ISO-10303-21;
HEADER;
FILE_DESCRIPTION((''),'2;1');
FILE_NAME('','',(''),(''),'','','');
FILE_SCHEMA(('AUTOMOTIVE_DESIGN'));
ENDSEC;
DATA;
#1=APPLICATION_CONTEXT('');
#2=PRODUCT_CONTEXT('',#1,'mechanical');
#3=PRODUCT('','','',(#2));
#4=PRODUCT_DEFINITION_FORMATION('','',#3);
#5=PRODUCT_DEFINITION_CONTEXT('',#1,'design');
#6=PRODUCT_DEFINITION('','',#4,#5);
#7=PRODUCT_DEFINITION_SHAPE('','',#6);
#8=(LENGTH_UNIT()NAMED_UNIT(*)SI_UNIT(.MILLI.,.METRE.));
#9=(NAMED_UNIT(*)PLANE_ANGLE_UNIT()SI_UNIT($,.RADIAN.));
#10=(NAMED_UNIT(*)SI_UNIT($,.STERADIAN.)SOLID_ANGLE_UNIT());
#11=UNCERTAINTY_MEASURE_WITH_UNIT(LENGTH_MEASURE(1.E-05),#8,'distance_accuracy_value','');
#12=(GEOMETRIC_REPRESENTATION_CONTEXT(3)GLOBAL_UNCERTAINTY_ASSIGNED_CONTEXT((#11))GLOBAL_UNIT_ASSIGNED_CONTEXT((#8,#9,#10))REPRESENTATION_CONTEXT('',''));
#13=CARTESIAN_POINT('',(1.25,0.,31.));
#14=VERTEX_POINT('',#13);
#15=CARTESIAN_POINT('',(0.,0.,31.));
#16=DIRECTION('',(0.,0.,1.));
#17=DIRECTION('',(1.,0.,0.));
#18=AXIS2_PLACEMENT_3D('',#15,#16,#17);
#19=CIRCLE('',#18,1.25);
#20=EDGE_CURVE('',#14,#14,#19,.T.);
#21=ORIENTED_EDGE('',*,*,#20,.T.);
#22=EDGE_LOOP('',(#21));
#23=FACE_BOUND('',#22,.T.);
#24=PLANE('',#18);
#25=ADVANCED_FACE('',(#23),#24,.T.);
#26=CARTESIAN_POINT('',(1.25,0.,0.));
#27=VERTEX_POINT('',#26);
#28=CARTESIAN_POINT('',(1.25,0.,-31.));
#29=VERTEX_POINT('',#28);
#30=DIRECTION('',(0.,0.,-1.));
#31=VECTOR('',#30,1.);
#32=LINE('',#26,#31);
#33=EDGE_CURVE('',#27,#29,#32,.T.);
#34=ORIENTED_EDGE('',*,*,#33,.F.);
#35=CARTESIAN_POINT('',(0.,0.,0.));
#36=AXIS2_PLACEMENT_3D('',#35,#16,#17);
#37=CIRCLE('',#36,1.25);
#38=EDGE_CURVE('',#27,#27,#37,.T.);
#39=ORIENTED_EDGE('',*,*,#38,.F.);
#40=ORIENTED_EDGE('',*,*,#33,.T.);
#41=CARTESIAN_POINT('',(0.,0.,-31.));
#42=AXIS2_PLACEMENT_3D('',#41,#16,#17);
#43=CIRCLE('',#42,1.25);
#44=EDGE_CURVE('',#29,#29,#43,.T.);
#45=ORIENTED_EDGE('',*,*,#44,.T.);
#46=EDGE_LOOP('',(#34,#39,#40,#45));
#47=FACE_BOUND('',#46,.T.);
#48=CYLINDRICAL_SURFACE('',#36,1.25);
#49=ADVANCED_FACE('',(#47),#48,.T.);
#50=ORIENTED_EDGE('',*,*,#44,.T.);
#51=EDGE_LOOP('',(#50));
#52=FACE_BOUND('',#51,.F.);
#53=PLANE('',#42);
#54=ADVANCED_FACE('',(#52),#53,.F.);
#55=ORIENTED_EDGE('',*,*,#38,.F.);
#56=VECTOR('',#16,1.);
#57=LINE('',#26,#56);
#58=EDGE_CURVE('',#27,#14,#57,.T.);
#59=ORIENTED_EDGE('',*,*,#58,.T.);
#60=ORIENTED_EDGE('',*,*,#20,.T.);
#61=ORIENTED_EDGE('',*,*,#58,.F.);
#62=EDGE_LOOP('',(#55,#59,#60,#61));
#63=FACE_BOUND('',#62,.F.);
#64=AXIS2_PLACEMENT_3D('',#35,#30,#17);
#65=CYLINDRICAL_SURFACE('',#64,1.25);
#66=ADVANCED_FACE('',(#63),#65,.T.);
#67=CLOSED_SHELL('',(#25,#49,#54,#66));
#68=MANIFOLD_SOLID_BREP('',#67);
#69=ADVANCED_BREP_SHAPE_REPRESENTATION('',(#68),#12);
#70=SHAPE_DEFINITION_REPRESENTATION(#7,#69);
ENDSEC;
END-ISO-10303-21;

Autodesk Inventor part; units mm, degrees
ref_plane "YZ Plane" through (0, 0, 0) normal (1, 0, 0) x (0, 1, 0)
ref_plane "XZ Plane" through (0, 0, 0) normal (0, 1, 0) x (-1, 0, 0)
ref_plane "XY Plane" through (0, 0, 0) normal (0, 0, 1) x (1, 0, 0)
sketch "스케치1" plane through (0, 0, 0) normal (0, 0, 1) x (1, 0, 0)
  circle A0 centre (0, 0) radius 1.25
  dimension "d0" = 2.5
extrude "돌출1" add sketch "스케치1" along normal mid plane 62
properties part number "motor_bar"
